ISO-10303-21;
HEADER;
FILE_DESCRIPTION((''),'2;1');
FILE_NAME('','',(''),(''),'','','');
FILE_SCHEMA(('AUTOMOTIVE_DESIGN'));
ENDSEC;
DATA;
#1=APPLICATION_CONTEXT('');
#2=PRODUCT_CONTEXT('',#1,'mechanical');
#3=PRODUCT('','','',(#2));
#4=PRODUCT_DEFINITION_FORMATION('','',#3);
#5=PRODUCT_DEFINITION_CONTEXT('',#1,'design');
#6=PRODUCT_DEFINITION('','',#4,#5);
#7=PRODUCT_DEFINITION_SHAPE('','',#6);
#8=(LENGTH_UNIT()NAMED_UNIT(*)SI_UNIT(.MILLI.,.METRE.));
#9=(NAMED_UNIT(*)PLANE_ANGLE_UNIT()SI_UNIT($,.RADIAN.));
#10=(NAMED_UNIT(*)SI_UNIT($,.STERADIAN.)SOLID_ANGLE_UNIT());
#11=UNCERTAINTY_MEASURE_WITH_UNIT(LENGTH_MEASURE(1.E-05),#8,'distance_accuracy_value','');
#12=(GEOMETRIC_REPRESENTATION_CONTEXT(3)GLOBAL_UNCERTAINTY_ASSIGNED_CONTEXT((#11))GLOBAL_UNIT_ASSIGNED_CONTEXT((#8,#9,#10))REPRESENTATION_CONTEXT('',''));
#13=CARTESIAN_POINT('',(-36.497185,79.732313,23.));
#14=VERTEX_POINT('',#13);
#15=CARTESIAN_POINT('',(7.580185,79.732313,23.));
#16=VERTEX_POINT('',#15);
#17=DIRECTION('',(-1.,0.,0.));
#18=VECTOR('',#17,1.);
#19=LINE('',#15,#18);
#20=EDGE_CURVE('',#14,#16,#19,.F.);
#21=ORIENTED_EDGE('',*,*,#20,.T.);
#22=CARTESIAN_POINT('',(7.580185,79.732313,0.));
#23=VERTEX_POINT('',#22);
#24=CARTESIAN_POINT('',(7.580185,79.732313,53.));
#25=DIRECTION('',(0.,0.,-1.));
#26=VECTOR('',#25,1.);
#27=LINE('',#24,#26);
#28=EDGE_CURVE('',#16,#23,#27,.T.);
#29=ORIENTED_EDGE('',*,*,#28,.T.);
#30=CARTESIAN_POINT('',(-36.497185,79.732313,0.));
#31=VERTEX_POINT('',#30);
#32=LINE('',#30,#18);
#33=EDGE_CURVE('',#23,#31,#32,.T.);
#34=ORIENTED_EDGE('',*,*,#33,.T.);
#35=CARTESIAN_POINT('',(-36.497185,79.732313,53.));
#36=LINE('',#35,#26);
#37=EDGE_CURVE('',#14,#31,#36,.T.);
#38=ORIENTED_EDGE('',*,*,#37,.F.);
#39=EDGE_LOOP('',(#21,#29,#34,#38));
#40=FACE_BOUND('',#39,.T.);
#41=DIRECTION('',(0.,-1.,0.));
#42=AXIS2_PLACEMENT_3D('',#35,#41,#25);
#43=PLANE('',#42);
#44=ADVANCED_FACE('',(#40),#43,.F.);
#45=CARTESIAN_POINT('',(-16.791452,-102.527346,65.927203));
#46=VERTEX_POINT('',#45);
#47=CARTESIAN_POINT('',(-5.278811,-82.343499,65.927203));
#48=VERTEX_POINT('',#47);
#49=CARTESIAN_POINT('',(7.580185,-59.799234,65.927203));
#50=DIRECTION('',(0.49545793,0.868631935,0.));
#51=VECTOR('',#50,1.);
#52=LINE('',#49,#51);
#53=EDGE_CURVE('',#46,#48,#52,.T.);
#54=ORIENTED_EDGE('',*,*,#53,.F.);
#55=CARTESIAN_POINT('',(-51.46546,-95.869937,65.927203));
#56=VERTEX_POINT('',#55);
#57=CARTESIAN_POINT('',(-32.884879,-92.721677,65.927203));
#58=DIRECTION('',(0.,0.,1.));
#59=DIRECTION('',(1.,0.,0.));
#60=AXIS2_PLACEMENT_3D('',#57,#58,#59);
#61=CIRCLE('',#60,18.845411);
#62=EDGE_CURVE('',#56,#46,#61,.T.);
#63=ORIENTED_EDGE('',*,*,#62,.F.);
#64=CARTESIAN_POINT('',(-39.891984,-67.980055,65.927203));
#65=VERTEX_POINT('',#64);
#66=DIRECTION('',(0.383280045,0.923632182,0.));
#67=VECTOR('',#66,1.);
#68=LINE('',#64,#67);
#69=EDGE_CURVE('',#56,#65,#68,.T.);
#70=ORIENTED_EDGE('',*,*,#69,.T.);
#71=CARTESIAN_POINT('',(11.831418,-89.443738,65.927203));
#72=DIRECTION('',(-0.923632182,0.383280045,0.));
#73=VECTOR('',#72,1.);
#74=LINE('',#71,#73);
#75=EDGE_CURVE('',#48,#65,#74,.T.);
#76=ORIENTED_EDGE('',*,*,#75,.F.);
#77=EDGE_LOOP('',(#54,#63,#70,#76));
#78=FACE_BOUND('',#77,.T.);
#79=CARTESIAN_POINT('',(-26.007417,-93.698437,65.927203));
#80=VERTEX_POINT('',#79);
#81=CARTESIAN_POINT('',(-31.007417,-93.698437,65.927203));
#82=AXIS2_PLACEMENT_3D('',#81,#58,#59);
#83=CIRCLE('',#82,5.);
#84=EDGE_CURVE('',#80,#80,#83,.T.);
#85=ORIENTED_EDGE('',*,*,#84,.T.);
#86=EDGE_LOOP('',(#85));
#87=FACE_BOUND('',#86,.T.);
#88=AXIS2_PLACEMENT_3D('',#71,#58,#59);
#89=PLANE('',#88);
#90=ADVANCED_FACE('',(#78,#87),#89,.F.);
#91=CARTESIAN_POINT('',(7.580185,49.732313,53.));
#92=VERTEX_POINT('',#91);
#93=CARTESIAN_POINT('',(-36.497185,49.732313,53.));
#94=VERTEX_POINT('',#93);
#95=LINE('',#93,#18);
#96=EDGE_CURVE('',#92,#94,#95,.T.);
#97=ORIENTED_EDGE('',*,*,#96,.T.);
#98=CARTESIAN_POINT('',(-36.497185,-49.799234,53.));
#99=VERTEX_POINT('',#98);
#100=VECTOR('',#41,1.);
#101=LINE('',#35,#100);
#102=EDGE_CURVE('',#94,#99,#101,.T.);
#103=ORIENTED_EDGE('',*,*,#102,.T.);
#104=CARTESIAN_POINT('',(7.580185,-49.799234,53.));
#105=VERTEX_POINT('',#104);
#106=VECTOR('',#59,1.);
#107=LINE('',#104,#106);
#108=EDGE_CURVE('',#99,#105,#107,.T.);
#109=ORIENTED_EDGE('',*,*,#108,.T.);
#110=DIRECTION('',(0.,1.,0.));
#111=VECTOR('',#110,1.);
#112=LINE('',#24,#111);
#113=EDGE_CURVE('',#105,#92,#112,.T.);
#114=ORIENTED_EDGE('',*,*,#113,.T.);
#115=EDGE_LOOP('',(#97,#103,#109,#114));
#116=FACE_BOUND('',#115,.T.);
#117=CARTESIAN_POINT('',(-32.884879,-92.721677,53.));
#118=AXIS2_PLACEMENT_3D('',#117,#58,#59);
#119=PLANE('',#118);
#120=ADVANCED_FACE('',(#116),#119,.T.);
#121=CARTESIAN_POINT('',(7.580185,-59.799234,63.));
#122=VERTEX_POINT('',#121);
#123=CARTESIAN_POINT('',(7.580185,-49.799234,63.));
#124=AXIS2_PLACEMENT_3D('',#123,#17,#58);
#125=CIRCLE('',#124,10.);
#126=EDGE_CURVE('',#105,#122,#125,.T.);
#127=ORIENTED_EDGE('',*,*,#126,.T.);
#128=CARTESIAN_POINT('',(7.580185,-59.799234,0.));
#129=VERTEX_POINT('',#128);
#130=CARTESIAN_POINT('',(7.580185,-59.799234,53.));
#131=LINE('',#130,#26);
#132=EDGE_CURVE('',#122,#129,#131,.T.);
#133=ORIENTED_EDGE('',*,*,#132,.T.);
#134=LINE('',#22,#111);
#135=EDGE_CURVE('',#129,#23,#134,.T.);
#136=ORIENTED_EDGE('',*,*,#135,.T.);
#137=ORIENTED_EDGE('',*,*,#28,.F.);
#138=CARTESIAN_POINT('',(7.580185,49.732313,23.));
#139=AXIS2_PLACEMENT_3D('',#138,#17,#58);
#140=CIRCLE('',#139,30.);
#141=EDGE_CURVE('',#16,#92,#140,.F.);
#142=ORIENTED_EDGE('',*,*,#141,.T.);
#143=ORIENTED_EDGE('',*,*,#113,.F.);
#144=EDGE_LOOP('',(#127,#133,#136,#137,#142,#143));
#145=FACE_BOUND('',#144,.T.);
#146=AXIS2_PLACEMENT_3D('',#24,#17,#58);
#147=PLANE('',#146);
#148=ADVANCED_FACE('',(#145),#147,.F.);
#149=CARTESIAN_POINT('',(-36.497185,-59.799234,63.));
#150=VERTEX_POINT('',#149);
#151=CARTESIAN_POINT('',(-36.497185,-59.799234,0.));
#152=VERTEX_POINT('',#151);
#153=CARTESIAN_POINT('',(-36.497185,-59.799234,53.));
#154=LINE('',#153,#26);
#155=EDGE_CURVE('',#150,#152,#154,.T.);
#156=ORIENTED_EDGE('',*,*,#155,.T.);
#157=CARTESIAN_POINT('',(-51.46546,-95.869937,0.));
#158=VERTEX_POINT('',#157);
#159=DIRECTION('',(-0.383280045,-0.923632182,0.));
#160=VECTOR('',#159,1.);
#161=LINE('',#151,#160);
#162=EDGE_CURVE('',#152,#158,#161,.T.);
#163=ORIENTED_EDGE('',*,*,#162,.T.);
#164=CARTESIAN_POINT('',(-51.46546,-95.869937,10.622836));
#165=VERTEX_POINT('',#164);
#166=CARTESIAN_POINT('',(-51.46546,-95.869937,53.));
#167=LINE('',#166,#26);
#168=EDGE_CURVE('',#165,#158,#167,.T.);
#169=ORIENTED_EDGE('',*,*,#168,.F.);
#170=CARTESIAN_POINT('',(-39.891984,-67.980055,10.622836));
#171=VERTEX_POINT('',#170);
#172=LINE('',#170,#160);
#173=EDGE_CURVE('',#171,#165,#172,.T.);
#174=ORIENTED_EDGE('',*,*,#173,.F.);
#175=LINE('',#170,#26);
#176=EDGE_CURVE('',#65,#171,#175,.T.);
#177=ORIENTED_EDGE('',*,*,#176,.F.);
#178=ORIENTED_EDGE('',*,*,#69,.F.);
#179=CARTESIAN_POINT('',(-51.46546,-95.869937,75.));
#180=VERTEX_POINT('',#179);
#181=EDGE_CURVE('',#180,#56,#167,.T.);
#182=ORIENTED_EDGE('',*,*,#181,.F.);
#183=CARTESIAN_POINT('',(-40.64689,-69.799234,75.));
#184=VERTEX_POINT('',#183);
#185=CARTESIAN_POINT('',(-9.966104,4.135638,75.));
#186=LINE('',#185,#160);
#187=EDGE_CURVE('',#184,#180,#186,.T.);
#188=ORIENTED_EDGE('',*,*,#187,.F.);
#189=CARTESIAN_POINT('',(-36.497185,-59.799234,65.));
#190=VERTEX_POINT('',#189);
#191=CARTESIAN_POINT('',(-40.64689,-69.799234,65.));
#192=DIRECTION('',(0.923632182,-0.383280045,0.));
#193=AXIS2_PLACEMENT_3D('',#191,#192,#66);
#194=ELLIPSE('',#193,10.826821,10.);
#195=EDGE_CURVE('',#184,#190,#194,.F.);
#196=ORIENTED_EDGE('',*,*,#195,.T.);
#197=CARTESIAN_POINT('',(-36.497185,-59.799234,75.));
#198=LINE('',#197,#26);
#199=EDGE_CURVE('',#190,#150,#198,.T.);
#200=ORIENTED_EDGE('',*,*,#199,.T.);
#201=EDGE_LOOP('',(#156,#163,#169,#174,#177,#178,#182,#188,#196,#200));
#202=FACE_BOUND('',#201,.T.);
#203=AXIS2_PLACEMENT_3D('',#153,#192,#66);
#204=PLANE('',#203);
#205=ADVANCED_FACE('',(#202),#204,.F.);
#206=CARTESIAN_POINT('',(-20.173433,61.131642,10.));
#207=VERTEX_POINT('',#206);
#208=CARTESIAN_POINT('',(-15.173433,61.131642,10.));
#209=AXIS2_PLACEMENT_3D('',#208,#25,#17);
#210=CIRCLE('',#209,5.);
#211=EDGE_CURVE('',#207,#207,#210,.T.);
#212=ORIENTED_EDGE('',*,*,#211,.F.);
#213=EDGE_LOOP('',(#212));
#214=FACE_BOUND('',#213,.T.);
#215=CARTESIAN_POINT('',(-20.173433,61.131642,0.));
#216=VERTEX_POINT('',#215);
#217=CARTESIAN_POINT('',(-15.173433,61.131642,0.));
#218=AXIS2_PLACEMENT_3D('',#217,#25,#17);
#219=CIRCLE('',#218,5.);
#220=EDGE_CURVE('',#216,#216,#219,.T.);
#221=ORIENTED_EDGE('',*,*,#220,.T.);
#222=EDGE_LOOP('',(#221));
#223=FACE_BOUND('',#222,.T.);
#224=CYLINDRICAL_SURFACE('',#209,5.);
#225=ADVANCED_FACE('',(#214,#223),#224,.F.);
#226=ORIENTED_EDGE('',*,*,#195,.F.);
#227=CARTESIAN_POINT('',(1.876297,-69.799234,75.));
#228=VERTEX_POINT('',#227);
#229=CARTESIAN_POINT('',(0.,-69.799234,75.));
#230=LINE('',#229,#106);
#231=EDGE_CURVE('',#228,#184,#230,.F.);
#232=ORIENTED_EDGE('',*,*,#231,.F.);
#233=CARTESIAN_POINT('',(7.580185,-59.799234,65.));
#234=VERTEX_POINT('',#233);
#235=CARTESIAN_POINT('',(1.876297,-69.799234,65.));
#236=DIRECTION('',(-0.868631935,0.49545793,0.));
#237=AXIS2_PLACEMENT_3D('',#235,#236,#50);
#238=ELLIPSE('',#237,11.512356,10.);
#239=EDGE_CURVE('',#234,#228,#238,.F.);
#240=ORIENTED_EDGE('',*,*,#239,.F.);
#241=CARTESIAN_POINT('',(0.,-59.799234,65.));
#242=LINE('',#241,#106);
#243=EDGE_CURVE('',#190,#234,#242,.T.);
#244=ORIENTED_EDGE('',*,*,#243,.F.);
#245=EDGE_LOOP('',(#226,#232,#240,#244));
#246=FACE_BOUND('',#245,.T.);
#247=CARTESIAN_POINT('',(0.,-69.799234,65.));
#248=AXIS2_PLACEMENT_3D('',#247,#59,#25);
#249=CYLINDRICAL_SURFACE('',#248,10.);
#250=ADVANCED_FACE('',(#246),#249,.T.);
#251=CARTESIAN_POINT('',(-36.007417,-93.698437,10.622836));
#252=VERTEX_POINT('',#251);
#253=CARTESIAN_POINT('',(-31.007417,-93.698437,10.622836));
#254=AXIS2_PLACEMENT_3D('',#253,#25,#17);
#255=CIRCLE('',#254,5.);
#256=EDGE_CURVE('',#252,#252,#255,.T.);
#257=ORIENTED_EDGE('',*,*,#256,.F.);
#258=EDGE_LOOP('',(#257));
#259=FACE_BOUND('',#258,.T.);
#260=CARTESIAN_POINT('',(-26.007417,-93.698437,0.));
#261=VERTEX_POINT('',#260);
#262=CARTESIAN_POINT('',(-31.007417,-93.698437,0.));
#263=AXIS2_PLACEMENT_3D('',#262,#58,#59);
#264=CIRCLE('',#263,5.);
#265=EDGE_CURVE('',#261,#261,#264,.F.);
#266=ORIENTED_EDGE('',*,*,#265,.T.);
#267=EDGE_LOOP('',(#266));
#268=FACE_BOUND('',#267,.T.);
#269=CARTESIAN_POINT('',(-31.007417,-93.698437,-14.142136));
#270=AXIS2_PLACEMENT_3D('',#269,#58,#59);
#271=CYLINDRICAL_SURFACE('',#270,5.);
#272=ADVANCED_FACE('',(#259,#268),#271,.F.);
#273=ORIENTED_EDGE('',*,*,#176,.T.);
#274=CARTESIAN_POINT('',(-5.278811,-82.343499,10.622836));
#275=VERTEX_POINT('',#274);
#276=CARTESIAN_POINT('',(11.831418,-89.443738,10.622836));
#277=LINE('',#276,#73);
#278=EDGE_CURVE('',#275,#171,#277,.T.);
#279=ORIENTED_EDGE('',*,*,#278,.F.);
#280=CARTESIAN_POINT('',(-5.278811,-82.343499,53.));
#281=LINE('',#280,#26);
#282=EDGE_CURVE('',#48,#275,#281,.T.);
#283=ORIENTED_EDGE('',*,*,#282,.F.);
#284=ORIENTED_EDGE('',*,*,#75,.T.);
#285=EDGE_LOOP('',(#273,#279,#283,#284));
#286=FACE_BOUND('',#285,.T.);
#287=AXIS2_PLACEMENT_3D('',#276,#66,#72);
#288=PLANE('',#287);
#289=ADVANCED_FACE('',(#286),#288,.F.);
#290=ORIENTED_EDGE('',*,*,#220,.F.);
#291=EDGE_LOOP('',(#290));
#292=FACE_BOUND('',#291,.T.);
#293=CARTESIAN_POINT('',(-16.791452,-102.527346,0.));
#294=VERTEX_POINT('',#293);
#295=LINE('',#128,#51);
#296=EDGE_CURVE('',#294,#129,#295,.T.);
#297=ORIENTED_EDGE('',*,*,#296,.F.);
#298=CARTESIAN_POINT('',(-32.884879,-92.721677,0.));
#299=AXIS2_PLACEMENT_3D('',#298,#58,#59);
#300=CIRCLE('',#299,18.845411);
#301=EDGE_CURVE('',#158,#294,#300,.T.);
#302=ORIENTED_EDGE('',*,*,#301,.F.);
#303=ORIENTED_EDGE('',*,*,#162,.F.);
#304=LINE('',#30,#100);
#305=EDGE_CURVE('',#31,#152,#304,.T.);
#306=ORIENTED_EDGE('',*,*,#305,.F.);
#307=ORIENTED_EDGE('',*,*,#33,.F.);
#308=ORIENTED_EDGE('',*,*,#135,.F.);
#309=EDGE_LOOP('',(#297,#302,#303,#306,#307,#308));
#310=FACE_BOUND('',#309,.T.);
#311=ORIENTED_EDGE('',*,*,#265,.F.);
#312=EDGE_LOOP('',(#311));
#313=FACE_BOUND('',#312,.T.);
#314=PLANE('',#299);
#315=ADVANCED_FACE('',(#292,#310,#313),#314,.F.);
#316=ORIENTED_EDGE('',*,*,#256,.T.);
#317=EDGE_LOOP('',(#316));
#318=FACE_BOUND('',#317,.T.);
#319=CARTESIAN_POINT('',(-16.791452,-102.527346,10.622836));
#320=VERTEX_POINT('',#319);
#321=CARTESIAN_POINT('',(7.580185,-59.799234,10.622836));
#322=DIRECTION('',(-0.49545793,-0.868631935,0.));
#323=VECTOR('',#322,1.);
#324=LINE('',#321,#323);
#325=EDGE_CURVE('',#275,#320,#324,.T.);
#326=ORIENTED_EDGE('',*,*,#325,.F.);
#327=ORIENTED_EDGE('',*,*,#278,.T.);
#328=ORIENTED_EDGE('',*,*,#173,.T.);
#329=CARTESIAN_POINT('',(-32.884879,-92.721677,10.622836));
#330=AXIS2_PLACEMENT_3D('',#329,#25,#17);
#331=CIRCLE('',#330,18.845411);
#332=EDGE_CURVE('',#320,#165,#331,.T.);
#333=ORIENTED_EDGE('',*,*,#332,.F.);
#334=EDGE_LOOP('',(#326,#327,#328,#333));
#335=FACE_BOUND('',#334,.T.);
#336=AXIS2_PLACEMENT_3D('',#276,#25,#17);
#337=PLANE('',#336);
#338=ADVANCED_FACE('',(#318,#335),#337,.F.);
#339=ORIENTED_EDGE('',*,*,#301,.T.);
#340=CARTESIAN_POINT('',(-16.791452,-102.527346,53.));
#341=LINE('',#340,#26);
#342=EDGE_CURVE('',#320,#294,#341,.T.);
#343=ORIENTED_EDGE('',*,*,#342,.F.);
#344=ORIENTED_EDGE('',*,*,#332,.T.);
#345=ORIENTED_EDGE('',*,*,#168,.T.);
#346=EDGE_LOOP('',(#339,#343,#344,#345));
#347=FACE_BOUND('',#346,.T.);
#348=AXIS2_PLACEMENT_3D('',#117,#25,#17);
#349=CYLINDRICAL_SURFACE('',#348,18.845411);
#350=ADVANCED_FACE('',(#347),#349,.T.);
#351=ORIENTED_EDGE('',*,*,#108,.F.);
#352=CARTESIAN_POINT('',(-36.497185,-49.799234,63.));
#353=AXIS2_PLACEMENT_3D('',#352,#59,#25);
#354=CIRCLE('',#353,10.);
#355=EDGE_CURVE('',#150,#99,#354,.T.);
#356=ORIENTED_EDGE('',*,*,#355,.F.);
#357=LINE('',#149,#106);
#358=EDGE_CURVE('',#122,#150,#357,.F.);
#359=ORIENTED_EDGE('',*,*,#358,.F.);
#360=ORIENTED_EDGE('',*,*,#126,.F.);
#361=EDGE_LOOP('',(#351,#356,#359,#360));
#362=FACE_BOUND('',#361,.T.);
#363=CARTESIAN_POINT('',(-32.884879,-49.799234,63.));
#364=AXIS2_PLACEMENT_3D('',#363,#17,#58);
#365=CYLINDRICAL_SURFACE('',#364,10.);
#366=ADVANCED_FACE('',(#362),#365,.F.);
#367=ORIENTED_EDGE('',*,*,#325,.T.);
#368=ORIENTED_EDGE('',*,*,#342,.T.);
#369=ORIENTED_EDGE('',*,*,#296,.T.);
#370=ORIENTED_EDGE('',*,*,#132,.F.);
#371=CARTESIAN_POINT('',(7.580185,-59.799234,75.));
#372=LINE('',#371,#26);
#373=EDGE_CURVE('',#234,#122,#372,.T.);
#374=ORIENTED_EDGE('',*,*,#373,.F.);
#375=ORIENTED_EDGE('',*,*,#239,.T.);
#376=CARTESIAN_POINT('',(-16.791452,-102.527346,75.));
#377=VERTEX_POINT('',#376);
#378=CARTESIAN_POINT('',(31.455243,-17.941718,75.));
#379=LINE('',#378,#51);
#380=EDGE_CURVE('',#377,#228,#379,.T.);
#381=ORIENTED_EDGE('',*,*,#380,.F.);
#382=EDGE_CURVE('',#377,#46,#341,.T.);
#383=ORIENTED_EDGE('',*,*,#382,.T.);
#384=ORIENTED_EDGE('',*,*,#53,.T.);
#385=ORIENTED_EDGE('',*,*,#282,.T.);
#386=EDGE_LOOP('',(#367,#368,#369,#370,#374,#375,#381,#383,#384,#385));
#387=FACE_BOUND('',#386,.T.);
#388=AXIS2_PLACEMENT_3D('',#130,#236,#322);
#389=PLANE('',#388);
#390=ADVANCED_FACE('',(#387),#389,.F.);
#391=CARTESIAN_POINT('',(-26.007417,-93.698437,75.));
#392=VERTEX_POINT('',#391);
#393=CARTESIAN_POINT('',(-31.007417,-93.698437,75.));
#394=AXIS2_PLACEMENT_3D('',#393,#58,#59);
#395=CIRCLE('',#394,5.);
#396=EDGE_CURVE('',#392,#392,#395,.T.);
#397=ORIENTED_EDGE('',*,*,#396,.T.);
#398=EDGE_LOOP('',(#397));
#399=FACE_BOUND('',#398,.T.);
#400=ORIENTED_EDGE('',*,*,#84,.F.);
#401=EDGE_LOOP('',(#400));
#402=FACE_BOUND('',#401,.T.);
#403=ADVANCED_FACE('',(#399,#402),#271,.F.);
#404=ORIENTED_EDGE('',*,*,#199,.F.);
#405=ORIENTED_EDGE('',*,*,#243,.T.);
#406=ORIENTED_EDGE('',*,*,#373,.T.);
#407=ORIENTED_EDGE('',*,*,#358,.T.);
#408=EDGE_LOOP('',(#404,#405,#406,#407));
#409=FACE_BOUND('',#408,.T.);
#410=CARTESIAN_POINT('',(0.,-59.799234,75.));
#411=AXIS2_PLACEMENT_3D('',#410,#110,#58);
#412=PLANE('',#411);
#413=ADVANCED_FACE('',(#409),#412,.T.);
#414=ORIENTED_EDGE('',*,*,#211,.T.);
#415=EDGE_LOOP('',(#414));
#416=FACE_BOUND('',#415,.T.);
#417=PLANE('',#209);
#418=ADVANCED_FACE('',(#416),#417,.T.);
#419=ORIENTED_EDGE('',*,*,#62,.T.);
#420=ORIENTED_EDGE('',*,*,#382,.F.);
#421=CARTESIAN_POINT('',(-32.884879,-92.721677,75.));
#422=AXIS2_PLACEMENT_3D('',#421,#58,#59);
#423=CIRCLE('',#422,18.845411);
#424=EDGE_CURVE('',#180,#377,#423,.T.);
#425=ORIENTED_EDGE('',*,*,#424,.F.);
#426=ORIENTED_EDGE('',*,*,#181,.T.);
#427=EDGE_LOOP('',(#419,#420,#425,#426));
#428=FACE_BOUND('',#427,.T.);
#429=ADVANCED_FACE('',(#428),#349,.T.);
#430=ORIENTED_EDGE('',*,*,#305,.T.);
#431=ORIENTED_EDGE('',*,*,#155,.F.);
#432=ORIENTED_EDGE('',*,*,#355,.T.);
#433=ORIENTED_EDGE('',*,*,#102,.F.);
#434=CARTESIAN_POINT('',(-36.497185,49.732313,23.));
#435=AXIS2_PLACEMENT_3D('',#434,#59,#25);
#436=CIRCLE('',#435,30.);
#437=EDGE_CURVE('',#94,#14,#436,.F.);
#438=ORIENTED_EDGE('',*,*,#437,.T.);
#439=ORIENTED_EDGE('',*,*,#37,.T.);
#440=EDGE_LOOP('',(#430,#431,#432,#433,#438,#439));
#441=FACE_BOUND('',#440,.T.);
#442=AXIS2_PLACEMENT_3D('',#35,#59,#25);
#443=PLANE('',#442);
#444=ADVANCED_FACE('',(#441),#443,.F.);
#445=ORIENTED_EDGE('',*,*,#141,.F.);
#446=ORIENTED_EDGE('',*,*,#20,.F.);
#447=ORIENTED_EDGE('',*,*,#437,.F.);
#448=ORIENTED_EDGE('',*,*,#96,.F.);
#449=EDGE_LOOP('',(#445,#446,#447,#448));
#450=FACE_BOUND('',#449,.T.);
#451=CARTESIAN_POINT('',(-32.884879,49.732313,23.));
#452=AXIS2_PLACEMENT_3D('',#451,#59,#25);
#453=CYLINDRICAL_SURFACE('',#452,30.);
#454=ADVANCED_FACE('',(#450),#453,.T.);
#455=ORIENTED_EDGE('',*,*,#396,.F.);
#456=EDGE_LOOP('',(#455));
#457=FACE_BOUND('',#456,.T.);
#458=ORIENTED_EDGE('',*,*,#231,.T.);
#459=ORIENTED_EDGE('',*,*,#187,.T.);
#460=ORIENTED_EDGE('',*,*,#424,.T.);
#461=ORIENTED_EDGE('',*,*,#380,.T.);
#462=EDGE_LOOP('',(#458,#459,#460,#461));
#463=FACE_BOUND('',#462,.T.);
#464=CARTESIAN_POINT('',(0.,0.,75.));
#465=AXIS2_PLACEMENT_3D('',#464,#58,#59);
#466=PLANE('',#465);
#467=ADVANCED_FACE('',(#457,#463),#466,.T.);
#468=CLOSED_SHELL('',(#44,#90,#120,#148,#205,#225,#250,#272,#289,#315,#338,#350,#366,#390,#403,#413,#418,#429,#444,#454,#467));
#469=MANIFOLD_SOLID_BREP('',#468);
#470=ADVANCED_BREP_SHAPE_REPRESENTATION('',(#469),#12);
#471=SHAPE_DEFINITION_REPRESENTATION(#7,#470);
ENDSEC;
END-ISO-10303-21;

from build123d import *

# Parameters (mm, degrees)
EXTRUDE_1_DEPTH     = 53
EXTRUDE_2_DEPTH     = 22
FILLET_2_R          = 10
FILLET_3_R          = 10
SKETCH_3_W          = 55.304366744
SKETCH_3_H          = 61.895042574
CUT_EXTRUDE_1_DEPTH = 56
SKETCH_4_R          = 5
CUT_EXTRUDE_2_DEPTH = 75
SKETCH_5_R          = 5
CUT_EXTRUDE_3_DEPTH = 10
FILLET_4_R          = 30


with BuildPart() as part:
    # Эскиз1 → Бобышка-Вытянуть1 (new body)
    with BuildSketch(Plane.XY):
        with BuildLine():
            Line((7.580184654, -59.799234496), (-16.79145183, -102.52734615))
            ThreePointArc((-16.79145183, -102.52734615), (-36.438294134, -111.229048288), (-51.465460174, -95.869936548))
            Line((-51.465460174, -95.869936548), (-36.497185373, -59.799234496))
            Line((-36.497185373, -59.799234496), (-36.497185373, 79.732312661))
            Line((-36.497185373, 79.732312661), (7.580184654, 79.732312661))
            Line((7.580184654, 79.732312661), (7.580184654, -59.799234496))
        make_face()
    extrude(amount=EXTRUDE_1_DEPTH)

    # Эскиз2 → Бобышка-Вытянуть2 (add)
    with BuildSketch(Plane.XY.offset(53)):
        with BuildLine():
            Line((-36.497185373, -59.799234496), (7.580184654, -59.799234496))
            Line((7.580184654, -59.799234496), (-16.79145183, -102.52734615))
            ThreePointArc((-16.79145183, -102.52734615), (-36.438294134, -111.229048288), (-51.465460174, -95.869936548))
            Line((-51.465460174, -95.869936548), (-36.497185373, -59.799234496))
        make_face()
    extrude(amount=EXTRUDE_2_DEPTH)

    # Скругление2
    fillet_2_edges = [part.edges().sort_by_distance(p)[0] for p in [
        (-14.458500359, -59.799234496, 53),
    ]]
    fillet(fillet_2_edges, radius=FILLET_2_R)

    # Скругление3
    fillet_3_edges = [part.edges().sort_by_distance(p)[0] for p in [
        (-14.458500359, -59.799234496, 75),
    ]]
    fillet(fillet_3_edges, radius=FILLET_3_R)

    # Эскиз3 → Вырез-Вытянуть1 (cut)
    with BuildSketch(Plane(origin=(-9.966103605, 4.135638315, 0), x_dir=(0, 0, 1), z_dir=(-0.923632182, 0.383280045, 0))):
        with Locations((38.275019494, -109.025889751)):
            Rectangle(SKETCH_3_W, SKETCH_3_H)
    extrude(amount=-CUT_EXTRUDE_1_DEPTH, mode=Mode.SUBTRACT)

    # Эскиз4 → Вырез-Вытянуть2 (cut)
    with BuildSketch(Plane.XY.offset(75)):
        with Locations((-31.007416938, -93.698436978)):
            Circle(SKETCH_4_R)
    extrude(amount=-CUT_EXTRUDE_2_DEPTH, mode=Mode.SUBTRACT)

    # Эскиз5 → Вырез-Вытянуть3 (cut)
    with BuildSketch(Plane(origin=(0, 0, 0), x_dir=(-1, 0, 0), z_dir=(0, 0, -1))):
        with Locations((15.173432646, 61.131642173)):
            Circle(SKETCH_5_R)
    extrude(amount=-CUT_EXTRUDE_3_DEPTH, mode=Mode.SUBTRACT)

    # Скругление4
    fillet_4_edges = [part.edges().sort_by_distance(p)[0] for p in [
        (-14.458500359, 79.732312661, 53),
    ]]
    fillet(fillet_4_edges, radius=FILLET_4_R)


solid = part.part
